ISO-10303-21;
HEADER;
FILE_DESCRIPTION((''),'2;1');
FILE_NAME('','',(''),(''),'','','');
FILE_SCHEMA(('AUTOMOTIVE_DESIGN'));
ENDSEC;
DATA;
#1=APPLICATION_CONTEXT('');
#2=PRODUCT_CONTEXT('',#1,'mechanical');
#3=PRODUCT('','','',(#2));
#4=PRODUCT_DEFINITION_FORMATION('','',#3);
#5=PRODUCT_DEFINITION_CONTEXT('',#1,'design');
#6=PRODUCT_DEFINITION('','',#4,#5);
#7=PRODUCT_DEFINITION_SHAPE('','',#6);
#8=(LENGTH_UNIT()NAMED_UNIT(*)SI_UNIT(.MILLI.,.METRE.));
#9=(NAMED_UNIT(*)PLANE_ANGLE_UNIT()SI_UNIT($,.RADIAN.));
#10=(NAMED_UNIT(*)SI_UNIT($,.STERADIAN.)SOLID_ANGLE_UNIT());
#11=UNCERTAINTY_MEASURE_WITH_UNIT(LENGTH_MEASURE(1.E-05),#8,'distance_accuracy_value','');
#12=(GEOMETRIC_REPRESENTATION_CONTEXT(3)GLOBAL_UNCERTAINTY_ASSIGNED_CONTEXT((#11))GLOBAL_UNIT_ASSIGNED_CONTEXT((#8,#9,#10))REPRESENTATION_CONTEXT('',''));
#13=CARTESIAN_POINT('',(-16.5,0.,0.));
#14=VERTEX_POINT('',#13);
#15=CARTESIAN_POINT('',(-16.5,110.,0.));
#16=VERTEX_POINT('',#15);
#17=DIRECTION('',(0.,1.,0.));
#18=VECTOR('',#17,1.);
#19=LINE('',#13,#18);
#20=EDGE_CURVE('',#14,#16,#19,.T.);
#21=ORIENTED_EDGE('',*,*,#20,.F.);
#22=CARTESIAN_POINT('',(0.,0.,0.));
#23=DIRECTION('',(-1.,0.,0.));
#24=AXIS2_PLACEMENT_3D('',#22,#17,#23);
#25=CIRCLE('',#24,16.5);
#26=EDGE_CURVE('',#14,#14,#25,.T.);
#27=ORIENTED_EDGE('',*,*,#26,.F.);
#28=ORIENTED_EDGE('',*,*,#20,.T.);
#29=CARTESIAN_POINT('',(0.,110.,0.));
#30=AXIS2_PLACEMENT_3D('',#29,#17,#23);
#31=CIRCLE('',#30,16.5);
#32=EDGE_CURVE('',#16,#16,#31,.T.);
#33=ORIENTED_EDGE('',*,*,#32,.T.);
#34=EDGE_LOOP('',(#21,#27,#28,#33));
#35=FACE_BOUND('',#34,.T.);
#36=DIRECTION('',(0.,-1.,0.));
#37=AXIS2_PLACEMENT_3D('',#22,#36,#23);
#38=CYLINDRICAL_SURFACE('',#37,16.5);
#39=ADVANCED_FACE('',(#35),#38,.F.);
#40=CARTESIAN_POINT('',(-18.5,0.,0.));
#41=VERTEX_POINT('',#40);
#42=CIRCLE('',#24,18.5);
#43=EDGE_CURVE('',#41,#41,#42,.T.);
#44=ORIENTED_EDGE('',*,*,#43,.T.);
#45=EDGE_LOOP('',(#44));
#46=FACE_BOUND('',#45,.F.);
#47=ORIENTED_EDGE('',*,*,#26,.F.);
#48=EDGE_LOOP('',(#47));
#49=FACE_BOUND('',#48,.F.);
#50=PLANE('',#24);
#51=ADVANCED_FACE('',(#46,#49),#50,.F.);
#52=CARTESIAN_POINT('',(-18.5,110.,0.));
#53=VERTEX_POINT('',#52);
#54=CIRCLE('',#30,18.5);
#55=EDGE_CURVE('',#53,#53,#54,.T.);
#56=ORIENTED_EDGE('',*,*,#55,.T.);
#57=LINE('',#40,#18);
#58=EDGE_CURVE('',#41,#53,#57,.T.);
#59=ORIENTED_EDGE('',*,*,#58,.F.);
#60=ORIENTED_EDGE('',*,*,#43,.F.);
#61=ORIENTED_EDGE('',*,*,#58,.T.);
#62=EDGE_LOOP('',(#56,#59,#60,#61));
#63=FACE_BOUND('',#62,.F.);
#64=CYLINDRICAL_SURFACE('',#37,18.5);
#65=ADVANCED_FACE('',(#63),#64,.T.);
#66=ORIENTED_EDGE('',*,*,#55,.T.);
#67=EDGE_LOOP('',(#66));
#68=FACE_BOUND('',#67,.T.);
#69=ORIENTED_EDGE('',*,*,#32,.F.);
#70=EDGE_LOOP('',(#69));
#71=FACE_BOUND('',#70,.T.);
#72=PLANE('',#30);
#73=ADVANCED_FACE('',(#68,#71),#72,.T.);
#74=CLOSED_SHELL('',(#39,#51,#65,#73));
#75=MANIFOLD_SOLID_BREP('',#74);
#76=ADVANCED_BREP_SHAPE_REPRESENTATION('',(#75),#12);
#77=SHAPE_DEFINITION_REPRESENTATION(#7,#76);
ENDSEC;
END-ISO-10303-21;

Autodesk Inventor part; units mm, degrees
ref_plane "YZ Plane" through (0, 0, 0) normal (1, 0, 0) x (0, 1, 0)
ref_plane "XZ Plane" through (0, 0, 0) normal (0, 1, 0) x (-1, 0, 0)
ref_plane "XY Plane" through (0, 0, 0) normal (0, 0, 1) x (1, 0, 0)
sketch "Эскиз1" plane through (0, 0, 0) normal (0, 1, 0) x (-1, 0, 0)
  circle A0 centre (0, 0) radius 14.5
  circle A1 centre (0, 0) radius 16.5
  circle A2 centre (0, 0) radius 18.5
  dimension "d0" = 29
  dimension "d1" = 33
  dimension "d2" = 37
extrude "Выдавливание1" add sketch "Эскиз1" along normal blind 110 contours A2
properties part number "Solid_electrolyte" material "Бетон, легкий"
